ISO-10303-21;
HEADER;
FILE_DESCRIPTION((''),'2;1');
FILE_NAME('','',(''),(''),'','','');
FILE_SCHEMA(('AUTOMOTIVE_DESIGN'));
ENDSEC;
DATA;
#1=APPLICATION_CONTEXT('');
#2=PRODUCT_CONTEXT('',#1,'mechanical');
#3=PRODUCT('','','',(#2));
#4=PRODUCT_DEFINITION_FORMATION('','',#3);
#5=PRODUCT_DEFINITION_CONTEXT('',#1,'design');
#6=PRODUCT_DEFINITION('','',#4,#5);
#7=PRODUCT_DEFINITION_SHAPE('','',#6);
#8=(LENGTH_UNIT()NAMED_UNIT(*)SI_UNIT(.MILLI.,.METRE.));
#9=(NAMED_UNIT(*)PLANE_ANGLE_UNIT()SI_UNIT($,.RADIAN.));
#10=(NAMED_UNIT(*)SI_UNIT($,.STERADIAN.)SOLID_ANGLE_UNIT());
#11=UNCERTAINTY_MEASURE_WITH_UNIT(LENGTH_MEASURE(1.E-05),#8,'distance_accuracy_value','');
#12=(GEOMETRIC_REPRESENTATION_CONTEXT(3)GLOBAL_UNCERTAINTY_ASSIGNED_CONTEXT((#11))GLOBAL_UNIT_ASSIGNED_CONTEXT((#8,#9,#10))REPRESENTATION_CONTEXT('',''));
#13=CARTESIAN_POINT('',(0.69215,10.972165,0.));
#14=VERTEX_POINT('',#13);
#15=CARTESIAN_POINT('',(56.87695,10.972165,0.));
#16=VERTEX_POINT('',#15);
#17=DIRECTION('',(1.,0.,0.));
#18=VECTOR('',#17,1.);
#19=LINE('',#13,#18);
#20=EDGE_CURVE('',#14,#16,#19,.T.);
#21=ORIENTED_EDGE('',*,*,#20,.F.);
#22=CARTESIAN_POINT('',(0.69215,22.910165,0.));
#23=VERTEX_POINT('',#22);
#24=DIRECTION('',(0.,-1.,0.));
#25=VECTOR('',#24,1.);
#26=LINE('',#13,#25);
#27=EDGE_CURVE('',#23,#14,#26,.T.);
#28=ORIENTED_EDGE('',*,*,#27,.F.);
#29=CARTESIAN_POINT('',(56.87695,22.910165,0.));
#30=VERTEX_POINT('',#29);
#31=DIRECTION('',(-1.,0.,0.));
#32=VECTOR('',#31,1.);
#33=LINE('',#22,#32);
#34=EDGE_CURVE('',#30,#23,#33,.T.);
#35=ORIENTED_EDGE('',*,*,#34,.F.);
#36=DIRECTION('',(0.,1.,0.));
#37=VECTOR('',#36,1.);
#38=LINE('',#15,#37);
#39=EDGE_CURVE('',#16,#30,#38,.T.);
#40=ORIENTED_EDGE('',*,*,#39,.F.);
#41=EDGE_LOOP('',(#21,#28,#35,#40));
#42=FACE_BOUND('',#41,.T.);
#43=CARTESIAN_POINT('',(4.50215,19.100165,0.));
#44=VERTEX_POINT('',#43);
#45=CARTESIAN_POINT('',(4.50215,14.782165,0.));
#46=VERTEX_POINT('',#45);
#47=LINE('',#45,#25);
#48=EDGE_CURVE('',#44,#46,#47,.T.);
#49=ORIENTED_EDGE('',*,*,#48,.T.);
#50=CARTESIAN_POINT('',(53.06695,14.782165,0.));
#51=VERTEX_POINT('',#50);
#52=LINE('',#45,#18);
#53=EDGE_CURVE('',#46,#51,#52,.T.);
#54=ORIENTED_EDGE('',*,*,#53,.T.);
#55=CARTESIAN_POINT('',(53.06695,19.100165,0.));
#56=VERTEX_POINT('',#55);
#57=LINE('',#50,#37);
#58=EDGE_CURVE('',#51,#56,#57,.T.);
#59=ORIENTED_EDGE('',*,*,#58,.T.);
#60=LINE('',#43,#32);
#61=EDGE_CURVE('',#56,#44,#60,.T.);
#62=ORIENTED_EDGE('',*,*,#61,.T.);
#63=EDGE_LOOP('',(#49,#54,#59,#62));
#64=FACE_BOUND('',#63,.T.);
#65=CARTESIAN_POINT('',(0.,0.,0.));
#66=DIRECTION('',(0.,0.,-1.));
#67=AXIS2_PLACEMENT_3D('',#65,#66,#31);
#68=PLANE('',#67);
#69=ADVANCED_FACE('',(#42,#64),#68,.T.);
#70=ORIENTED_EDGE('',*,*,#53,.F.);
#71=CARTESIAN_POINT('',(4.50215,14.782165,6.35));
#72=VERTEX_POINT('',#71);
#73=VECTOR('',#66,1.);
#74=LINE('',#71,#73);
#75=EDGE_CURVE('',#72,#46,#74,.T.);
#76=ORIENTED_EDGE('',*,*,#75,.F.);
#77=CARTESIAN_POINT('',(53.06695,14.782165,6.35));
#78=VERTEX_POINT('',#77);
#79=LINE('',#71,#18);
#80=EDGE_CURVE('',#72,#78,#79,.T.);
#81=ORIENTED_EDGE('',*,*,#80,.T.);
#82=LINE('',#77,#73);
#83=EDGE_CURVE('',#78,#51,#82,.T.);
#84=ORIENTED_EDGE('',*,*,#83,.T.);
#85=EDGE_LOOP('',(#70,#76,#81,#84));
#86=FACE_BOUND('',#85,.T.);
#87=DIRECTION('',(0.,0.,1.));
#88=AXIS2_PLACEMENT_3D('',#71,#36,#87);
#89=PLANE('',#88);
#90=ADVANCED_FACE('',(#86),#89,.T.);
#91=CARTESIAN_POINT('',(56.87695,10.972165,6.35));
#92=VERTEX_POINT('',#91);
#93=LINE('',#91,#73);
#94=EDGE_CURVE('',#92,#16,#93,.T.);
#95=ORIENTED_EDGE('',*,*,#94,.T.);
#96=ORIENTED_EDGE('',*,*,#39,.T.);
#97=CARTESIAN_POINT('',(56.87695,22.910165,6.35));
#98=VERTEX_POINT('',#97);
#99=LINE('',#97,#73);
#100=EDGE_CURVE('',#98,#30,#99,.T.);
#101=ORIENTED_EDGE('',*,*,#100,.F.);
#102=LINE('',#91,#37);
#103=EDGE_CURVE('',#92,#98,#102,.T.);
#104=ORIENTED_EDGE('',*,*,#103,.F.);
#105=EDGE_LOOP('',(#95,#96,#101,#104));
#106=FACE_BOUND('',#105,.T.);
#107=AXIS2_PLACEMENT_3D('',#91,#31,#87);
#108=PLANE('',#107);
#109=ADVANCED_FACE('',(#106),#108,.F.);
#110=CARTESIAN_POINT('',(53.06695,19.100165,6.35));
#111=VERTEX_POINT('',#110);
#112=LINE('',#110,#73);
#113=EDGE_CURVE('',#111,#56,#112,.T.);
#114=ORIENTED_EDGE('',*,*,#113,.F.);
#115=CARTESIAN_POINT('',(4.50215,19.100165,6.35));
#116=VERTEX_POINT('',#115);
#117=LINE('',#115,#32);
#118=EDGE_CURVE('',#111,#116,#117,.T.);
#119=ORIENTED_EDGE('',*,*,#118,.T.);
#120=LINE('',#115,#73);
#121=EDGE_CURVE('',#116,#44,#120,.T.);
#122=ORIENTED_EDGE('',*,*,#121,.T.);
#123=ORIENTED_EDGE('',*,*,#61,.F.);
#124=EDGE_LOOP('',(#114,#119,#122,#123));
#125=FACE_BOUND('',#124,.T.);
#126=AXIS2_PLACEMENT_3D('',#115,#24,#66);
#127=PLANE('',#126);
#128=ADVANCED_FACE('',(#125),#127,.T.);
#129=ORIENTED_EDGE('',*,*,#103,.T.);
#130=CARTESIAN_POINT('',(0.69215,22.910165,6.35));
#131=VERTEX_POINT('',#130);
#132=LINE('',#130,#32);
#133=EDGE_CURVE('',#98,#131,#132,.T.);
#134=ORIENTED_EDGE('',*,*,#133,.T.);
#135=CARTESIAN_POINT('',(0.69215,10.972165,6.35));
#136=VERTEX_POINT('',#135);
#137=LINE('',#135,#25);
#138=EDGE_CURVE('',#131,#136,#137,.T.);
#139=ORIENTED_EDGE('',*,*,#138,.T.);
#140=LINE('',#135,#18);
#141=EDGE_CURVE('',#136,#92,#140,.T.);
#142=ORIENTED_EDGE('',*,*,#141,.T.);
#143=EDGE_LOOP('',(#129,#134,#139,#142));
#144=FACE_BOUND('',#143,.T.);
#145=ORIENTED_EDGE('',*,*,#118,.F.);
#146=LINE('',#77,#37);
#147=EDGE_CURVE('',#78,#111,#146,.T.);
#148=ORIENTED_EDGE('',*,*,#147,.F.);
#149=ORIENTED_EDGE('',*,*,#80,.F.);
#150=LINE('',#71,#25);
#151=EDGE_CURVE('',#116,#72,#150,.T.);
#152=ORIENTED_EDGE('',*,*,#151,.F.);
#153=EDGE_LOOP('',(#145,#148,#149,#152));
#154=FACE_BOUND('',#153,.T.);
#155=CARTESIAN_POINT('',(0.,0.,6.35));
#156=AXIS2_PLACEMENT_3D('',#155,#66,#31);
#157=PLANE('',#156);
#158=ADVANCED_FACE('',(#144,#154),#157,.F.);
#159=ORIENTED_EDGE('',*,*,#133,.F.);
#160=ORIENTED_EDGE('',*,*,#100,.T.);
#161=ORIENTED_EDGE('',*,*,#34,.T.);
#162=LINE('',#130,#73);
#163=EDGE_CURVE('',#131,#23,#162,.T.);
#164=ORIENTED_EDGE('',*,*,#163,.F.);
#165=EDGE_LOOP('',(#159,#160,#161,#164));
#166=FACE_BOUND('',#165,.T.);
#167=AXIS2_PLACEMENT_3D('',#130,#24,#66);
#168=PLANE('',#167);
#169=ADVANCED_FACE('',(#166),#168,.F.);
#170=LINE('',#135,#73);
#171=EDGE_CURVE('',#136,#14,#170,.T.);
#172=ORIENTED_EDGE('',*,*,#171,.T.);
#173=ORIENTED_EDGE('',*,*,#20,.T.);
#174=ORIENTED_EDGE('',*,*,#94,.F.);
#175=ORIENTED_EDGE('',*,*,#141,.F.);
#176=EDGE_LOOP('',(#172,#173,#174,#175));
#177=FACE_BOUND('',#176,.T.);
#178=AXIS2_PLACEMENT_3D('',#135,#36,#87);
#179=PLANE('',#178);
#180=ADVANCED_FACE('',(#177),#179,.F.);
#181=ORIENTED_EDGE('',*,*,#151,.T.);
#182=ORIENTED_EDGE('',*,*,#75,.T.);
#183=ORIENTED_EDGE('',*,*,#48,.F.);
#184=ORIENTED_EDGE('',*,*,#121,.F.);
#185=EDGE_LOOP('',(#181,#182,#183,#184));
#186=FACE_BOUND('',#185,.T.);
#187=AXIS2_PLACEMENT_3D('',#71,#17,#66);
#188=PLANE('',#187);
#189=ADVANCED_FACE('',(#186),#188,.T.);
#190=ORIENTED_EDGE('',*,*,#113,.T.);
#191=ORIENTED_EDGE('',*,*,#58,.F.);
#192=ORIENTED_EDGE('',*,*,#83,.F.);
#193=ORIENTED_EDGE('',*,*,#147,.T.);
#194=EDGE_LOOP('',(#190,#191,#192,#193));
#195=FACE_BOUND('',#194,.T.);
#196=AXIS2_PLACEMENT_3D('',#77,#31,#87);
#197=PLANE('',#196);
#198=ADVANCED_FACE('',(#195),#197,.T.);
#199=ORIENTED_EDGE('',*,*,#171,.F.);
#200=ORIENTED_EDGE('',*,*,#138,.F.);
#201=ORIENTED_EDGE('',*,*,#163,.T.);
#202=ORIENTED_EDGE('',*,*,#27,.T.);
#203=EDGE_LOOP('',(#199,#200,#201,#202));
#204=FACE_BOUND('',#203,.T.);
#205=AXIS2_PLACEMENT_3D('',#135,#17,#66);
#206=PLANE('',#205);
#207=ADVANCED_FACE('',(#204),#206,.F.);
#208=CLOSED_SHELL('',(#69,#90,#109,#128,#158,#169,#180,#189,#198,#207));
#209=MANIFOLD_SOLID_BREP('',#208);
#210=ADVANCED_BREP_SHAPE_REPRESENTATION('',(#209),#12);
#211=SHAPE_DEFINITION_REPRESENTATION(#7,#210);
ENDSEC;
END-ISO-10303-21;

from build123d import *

# Parameters (mm, degrees)
SKETCH1_W           = 56.1848
SKETCH1_H           = 11.938
SKETCH1_W_2         = 48.5648
SKETCH1_H_2         = 4.318
BOSS_EXTRUDE1_DEPTH = 6.35


with BuildPart() as part:
    # Sketch1 → Boss-Extrude1 (new body)
    with BuildSketch(Plane.XY):
        with Locations((28.78455, 16.941165)):
            Rectangle(SKETCH1_W, SKETCH1_H)
        with Locations((28.78455, 16.941165)):
            Rectangle(SKETCH1_W_2, SKETCH1_H_2, mode=Mode.SUBTRACT)
    extrude(amount=BOSS_EXTRUDE1_DEPTH)


solid = part.part
